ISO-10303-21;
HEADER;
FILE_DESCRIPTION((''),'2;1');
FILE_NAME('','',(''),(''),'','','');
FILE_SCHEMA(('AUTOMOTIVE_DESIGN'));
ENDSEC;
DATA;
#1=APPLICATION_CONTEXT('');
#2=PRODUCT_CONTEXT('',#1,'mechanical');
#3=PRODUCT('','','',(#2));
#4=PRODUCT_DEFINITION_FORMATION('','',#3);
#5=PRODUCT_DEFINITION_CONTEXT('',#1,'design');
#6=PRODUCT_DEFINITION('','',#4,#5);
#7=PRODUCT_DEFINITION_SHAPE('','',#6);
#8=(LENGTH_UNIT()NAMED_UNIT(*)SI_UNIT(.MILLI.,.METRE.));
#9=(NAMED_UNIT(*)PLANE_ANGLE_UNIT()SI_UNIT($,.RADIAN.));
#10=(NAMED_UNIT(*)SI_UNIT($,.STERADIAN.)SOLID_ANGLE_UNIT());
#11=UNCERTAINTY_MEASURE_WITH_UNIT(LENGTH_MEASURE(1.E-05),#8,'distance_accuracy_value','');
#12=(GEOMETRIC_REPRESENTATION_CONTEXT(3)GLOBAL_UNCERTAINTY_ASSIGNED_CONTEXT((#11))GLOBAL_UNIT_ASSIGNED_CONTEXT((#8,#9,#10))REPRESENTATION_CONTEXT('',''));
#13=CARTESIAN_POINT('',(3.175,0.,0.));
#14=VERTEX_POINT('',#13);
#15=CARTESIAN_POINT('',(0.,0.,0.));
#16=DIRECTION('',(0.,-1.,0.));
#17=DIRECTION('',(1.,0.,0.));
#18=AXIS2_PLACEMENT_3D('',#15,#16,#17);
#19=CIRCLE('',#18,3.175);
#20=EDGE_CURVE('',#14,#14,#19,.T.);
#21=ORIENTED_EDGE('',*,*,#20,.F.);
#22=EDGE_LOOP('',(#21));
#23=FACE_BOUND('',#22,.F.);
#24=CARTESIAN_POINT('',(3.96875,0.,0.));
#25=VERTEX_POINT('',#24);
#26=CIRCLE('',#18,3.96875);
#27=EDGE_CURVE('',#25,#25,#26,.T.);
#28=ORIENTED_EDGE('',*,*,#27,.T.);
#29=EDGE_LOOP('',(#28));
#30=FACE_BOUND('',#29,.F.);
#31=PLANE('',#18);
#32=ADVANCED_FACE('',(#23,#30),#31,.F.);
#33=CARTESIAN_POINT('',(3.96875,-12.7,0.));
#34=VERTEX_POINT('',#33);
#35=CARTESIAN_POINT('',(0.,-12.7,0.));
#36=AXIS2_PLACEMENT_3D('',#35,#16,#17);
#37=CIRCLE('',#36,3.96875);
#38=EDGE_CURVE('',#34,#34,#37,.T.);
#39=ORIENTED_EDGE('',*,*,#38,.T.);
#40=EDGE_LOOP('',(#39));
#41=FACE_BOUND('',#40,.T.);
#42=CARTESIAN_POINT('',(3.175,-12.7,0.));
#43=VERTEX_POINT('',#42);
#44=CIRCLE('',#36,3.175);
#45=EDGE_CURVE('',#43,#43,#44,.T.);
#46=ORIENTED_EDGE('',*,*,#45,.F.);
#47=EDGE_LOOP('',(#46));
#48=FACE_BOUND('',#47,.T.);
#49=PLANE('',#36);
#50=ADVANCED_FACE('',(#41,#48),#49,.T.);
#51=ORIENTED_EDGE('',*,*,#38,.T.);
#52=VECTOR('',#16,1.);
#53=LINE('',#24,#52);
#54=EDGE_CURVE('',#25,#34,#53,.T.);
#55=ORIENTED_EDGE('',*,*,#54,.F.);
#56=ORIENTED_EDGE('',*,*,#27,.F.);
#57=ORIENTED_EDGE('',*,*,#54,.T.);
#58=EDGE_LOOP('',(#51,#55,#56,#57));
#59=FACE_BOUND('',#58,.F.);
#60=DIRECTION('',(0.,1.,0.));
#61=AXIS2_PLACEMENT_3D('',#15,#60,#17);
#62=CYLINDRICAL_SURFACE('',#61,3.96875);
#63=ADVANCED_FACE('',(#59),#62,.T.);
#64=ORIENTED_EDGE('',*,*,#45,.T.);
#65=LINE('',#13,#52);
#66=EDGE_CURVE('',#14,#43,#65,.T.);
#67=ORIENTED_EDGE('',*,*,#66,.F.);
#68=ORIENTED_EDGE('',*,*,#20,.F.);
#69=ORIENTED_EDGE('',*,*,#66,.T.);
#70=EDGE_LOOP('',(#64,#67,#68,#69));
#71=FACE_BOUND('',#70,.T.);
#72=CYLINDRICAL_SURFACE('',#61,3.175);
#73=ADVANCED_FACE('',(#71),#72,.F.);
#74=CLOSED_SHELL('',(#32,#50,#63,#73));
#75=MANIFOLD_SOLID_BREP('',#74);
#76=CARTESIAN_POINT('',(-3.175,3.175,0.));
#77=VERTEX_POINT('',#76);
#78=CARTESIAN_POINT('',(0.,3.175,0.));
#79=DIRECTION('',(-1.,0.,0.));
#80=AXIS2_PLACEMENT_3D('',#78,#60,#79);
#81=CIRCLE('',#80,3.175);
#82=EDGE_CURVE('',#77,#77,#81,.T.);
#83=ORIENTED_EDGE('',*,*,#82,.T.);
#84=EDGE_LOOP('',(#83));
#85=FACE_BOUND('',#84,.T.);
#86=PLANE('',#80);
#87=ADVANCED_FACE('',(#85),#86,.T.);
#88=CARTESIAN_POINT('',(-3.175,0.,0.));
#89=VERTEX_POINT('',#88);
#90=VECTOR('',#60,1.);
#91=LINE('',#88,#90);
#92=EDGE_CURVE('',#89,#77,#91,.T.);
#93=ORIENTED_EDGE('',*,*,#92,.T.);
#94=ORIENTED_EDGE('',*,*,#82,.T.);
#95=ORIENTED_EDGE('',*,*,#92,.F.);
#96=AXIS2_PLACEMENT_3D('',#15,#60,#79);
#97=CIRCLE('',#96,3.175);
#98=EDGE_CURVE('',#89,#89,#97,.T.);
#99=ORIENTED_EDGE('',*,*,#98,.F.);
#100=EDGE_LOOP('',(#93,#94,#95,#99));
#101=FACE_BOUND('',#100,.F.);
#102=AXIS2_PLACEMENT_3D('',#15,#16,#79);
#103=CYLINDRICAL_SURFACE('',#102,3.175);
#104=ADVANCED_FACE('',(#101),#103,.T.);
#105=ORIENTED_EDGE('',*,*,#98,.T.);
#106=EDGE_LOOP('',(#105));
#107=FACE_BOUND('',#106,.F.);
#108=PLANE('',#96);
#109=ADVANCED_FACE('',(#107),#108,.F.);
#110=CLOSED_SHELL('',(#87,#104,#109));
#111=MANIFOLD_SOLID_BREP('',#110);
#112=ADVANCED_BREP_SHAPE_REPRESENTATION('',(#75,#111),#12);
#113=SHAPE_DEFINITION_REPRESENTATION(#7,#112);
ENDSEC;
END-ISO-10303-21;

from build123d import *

# Parameters (mm, degrees)
F0_R     = 3.96875
F0_R_2   = 3.175
F1_DEPTH = 12.7
F2_R     = 3.175
F3_DEPTH = 3.175


with BuildPart() as f1:
    # F0 (on Front) → F1 (new body)
    with BuildSketch(Plane.XZ):
        Circle(F0_R)
        Circle(F0_R_2, mode=Mode.SUBTRACT)
    extrude(amount=F1_DEPTH)


with BuildPart() as f3:
    # F2 (on face) → F3 (new body)
    with BuildSketch(Plane(origin=(0, 0, 0), x_dir=(-1, 0, 0), z_dir=(0, 1, 0))):
        Circle(F2_R)
    extrude(amount=F3_DEPTH)


solid = Compound([f1.part, f3.part])
